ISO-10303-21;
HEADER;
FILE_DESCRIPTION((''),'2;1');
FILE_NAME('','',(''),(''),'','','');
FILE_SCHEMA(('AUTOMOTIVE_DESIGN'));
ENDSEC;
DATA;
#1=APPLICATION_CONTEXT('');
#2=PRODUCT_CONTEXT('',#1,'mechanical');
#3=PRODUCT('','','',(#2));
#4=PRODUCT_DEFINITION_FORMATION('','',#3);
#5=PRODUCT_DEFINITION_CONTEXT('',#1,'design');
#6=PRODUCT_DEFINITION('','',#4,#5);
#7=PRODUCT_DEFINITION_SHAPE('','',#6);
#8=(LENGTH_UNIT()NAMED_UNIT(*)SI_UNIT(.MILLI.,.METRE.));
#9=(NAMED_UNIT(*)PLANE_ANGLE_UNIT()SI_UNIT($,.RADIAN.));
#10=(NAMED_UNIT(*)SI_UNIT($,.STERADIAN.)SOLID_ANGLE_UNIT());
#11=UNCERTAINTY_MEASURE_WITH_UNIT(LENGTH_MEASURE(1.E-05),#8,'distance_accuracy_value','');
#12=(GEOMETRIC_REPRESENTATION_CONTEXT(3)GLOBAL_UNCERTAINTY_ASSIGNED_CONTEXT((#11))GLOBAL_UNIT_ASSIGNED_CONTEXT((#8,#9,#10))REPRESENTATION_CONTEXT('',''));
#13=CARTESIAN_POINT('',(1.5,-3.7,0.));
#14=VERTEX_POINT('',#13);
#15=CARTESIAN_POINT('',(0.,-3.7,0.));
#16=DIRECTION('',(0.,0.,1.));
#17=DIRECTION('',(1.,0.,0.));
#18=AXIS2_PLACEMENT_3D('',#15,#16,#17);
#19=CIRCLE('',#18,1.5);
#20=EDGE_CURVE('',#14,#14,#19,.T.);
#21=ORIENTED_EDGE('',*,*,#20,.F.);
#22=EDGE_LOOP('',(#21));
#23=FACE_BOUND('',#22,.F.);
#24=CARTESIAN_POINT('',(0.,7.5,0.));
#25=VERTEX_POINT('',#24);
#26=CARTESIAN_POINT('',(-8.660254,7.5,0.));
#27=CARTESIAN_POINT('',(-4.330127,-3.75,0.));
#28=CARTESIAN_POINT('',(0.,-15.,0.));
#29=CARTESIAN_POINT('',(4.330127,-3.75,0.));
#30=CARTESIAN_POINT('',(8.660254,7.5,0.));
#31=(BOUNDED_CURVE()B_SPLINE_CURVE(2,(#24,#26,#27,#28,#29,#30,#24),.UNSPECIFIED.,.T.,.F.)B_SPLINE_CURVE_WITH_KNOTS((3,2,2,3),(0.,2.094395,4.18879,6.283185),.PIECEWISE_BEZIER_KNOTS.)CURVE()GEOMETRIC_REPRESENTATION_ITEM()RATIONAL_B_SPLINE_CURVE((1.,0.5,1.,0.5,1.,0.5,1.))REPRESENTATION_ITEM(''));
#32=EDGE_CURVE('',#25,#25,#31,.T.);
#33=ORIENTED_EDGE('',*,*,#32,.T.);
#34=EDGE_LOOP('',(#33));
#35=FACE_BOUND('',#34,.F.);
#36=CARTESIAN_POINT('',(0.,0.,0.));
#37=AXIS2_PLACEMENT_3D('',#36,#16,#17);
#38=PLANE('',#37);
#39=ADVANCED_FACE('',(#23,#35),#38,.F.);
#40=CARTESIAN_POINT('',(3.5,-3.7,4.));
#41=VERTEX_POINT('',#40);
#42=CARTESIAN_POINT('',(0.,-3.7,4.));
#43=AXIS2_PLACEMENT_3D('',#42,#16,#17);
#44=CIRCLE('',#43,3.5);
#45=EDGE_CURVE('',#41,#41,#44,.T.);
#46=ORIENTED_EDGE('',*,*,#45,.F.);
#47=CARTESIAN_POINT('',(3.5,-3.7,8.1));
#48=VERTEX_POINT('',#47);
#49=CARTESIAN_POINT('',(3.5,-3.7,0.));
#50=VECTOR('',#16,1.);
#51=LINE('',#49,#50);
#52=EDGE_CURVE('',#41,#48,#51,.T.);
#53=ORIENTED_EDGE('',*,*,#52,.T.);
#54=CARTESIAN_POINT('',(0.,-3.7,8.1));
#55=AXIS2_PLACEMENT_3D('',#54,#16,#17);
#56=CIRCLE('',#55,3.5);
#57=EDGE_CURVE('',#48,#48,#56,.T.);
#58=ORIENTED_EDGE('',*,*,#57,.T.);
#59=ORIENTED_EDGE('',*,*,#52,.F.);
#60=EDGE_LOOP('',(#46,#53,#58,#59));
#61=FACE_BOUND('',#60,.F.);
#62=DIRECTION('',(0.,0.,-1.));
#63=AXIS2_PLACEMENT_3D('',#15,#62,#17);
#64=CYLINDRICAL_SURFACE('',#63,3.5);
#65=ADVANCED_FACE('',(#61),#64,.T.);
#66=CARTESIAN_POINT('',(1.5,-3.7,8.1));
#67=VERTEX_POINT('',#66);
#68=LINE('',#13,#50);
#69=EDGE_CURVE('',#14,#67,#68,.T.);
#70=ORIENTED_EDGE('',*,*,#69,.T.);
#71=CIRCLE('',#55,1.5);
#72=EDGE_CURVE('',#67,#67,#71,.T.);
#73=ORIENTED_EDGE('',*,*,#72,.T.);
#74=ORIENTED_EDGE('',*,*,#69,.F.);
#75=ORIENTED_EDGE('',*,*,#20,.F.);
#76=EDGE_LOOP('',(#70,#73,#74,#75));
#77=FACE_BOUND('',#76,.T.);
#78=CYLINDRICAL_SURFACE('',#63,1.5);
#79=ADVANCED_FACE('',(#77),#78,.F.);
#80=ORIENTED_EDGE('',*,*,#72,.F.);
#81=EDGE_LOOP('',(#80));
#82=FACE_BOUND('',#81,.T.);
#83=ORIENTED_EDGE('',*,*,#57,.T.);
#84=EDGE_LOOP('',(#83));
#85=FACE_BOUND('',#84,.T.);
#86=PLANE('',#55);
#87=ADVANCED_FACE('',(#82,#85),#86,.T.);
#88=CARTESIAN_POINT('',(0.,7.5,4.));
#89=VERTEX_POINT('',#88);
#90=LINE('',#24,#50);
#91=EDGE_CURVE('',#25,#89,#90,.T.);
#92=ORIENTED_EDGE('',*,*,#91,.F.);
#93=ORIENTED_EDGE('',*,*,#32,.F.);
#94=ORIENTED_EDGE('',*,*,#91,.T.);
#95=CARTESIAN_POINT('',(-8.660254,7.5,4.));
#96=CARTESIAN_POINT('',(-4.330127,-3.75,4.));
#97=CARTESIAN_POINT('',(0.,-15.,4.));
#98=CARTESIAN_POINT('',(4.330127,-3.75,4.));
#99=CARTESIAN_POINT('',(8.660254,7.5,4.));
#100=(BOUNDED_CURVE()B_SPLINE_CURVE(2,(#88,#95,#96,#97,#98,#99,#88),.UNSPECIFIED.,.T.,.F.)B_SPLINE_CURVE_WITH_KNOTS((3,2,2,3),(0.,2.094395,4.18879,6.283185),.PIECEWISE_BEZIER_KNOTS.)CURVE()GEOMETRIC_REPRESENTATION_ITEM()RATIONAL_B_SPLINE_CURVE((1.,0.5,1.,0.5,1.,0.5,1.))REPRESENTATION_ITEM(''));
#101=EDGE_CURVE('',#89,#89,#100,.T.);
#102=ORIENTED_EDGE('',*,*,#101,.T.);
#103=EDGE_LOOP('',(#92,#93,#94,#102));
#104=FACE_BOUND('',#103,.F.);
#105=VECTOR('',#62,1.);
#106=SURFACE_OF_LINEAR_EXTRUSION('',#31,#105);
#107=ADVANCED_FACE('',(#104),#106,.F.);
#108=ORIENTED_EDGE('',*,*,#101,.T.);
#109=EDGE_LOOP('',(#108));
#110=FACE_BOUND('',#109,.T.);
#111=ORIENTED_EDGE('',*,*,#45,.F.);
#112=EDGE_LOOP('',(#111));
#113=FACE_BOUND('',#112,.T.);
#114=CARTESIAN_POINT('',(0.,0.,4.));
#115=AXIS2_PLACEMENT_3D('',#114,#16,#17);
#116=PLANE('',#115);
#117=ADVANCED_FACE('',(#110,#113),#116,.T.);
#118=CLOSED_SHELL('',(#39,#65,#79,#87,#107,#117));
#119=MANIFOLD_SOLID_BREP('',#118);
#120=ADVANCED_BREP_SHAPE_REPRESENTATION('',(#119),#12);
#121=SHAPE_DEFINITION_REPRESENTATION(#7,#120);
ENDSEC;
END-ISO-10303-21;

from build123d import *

# Parameters (mm, degrees)
F0_R     = 3.5
F1_DEPTH = 4
F0_R_2   = 1.5
F2_DEPTH = 8.1


with BuildPart() as f1:
    # F0 (on Top) → F1 (new body)
    with BuildSketch(Plane.XY):
        with BuildLine():
            add(Edge.make_bspline(
                [(0, 7.5), (-8.660254, 7.5), (-4.330127, -3.75), (0, -15), (4.330127, -3.75), (8.660254, 7.5), (0, 7.5)],
                knots=[0, 0, 0, 2.094395, 2.094395, 4.18879, 4.18879, 6.283185, 6.283185, 6.283185], degree=2, weights=[1, 0.5, 1, 0.5, 1, 0.5, 1]))
        make_face()
        with Locations((0, -3.7)):
            Circle(F0_R, mode=Mode.SUBTRACT)
    extrude(amount=F1_DEPTH)

    # F0 (on Top) → F2 (join)
    with BuildSketch(Plane.XY):
        with Locations((0, -3.7)):
            Circle(F0_R)
        with Locations((0, -3.7)):
            Circle(F0_R_2, mode=Mode.SUBTRACT)
    extrude(amount=F2_DEPTH)


solid = f1.part
